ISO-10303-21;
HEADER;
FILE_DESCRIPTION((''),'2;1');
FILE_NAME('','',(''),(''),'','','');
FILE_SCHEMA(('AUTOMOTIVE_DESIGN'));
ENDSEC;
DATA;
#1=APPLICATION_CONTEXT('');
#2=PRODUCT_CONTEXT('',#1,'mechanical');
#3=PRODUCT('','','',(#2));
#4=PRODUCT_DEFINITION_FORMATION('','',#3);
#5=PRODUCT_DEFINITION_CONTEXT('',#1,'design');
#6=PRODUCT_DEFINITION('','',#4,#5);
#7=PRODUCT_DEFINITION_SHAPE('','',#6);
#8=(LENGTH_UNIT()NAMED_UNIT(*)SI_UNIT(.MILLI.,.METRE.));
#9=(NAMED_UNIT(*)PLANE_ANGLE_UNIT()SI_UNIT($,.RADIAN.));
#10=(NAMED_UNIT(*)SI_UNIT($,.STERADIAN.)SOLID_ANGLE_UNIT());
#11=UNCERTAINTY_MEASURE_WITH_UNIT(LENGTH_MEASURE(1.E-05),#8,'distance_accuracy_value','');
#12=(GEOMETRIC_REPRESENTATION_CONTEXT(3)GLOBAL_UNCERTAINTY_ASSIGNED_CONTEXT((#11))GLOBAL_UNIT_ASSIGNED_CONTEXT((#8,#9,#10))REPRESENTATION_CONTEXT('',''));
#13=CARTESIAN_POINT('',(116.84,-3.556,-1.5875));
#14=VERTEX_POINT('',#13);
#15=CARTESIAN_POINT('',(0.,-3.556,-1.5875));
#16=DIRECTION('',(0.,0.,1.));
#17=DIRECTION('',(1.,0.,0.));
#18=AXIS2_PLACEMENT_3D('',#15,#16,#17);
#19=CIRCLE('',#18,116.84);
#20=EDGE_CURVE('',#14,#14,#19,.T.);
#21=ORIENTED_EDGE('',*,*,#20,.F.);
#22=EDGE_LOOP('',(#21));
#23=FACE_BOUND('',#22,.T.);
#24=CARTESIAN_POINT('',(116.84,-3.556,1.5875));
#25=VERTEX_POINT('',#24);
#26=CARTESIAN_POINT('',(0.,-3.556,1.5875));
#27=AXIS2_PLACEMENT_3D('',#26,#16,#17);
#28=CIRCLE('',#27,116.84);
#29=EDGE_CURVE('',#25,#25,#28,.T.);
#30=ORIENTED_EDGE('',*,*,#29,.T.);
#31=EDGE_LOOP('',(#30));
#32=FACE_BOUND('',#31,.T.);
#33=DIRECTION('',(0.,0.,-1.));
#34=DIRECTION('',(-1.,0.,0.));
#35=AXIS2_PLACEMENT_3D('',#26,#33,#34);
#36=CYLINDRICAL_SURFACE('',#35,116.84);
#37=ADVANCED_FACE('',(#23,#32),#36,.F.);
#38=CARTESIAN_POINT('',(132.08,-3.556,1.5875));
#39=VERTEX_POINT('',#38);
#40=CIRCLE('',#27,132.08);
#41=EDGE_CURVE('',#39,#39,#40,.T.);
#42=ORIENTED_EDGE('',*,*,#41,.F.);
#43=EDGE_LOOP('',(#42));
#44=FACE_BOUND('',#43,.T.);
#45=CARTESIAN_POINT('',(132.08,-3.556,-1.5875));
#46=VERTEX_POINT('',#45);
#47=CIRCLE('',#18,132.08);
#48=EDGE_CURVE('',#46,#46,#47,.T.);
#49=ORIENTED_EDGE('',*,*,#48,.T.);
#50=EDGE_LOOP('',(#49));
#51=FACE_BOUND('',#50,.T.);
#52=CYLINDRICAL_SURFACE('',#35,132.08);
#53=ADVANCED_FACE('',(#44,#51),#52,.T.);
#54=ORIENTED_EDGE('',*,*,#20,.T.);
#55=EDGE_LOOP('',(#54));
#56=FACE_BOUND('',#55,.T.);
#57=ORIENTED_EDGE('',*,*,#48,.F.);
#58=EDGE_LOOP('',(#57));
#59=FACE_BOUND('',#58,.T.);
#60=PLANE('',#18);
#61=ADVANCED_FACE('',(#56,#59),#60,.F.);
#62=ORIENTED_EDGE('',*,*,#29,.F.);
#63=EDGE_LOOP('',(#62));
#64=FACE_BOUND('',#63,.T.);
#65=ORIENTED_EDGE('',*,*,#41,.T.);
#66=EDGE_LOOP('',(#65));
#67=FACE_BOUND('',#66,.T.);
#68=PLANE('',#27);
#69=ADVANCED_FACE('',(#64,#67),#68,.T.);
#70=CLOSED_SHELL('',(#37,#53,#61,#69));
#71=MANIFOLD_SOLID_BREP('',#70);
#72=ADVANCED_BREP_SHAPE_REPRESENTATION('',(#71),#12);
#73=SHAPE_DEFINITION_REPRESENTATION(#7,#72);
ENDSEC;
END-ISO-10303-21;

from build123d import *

# Parameters (mm, degrees)
SKETCH2_R           = 116.84
BOSS_EXTRUDE1_DEPTH = 1.5875


with BuildPart() as part:
    # Sketch2 → Boss-Extrude1 (new, symmetric)
    with BuildSketch(Plane.XY):
        with BuildLine():
            ThreePointArc((-1.651, 128.513680847), (-113.44208216, 64.09028885), (-116.977106193, -64.886930424))
            ThreePointArc((-116.977106193, -64.886930424), (-116.59127356, -65.61727077), (-116.200881143, -66.345183954))
            ThreePointArc((-116.200881143, -66.345183954), (-115.806084025, -67.070386581), (-115.406761019, -67.793106963))
            ThreePointArc((-115.406761019, -67.793106963), (0, -135.636), (115.406761019, -67.793106963))
            ThreePointArc((115.406761019, -67.793106963), (115.804512811, -67.073251299), (116.197774523, -66.350932884))
            ThreePointArc((116.197774523, -66.350932884), (116.589738292, -65.620154913), (116.977106193, -64.886930424))
            ThreePointArc((116.977106193, -64.886930424), (113.44208216, 64.09028885), (1.651, 128.513680847))
            ThreePointArc((1.651, 128.513680847), (0.825516124, 128.521420187), (0, 128.524))
            ThreePointArc((0, 128.524), (-0.825516124, 128.521420187), (-1.651, 128.513680847))
        make_face()
        with Locations((0, -3.556)):
            Circle(SKETCH2_R, mode=Mode.SUBTRACT)
    extrude(amount=BOSS_EXTRUDE1_DEPTH, both=True)


solid = part.part
